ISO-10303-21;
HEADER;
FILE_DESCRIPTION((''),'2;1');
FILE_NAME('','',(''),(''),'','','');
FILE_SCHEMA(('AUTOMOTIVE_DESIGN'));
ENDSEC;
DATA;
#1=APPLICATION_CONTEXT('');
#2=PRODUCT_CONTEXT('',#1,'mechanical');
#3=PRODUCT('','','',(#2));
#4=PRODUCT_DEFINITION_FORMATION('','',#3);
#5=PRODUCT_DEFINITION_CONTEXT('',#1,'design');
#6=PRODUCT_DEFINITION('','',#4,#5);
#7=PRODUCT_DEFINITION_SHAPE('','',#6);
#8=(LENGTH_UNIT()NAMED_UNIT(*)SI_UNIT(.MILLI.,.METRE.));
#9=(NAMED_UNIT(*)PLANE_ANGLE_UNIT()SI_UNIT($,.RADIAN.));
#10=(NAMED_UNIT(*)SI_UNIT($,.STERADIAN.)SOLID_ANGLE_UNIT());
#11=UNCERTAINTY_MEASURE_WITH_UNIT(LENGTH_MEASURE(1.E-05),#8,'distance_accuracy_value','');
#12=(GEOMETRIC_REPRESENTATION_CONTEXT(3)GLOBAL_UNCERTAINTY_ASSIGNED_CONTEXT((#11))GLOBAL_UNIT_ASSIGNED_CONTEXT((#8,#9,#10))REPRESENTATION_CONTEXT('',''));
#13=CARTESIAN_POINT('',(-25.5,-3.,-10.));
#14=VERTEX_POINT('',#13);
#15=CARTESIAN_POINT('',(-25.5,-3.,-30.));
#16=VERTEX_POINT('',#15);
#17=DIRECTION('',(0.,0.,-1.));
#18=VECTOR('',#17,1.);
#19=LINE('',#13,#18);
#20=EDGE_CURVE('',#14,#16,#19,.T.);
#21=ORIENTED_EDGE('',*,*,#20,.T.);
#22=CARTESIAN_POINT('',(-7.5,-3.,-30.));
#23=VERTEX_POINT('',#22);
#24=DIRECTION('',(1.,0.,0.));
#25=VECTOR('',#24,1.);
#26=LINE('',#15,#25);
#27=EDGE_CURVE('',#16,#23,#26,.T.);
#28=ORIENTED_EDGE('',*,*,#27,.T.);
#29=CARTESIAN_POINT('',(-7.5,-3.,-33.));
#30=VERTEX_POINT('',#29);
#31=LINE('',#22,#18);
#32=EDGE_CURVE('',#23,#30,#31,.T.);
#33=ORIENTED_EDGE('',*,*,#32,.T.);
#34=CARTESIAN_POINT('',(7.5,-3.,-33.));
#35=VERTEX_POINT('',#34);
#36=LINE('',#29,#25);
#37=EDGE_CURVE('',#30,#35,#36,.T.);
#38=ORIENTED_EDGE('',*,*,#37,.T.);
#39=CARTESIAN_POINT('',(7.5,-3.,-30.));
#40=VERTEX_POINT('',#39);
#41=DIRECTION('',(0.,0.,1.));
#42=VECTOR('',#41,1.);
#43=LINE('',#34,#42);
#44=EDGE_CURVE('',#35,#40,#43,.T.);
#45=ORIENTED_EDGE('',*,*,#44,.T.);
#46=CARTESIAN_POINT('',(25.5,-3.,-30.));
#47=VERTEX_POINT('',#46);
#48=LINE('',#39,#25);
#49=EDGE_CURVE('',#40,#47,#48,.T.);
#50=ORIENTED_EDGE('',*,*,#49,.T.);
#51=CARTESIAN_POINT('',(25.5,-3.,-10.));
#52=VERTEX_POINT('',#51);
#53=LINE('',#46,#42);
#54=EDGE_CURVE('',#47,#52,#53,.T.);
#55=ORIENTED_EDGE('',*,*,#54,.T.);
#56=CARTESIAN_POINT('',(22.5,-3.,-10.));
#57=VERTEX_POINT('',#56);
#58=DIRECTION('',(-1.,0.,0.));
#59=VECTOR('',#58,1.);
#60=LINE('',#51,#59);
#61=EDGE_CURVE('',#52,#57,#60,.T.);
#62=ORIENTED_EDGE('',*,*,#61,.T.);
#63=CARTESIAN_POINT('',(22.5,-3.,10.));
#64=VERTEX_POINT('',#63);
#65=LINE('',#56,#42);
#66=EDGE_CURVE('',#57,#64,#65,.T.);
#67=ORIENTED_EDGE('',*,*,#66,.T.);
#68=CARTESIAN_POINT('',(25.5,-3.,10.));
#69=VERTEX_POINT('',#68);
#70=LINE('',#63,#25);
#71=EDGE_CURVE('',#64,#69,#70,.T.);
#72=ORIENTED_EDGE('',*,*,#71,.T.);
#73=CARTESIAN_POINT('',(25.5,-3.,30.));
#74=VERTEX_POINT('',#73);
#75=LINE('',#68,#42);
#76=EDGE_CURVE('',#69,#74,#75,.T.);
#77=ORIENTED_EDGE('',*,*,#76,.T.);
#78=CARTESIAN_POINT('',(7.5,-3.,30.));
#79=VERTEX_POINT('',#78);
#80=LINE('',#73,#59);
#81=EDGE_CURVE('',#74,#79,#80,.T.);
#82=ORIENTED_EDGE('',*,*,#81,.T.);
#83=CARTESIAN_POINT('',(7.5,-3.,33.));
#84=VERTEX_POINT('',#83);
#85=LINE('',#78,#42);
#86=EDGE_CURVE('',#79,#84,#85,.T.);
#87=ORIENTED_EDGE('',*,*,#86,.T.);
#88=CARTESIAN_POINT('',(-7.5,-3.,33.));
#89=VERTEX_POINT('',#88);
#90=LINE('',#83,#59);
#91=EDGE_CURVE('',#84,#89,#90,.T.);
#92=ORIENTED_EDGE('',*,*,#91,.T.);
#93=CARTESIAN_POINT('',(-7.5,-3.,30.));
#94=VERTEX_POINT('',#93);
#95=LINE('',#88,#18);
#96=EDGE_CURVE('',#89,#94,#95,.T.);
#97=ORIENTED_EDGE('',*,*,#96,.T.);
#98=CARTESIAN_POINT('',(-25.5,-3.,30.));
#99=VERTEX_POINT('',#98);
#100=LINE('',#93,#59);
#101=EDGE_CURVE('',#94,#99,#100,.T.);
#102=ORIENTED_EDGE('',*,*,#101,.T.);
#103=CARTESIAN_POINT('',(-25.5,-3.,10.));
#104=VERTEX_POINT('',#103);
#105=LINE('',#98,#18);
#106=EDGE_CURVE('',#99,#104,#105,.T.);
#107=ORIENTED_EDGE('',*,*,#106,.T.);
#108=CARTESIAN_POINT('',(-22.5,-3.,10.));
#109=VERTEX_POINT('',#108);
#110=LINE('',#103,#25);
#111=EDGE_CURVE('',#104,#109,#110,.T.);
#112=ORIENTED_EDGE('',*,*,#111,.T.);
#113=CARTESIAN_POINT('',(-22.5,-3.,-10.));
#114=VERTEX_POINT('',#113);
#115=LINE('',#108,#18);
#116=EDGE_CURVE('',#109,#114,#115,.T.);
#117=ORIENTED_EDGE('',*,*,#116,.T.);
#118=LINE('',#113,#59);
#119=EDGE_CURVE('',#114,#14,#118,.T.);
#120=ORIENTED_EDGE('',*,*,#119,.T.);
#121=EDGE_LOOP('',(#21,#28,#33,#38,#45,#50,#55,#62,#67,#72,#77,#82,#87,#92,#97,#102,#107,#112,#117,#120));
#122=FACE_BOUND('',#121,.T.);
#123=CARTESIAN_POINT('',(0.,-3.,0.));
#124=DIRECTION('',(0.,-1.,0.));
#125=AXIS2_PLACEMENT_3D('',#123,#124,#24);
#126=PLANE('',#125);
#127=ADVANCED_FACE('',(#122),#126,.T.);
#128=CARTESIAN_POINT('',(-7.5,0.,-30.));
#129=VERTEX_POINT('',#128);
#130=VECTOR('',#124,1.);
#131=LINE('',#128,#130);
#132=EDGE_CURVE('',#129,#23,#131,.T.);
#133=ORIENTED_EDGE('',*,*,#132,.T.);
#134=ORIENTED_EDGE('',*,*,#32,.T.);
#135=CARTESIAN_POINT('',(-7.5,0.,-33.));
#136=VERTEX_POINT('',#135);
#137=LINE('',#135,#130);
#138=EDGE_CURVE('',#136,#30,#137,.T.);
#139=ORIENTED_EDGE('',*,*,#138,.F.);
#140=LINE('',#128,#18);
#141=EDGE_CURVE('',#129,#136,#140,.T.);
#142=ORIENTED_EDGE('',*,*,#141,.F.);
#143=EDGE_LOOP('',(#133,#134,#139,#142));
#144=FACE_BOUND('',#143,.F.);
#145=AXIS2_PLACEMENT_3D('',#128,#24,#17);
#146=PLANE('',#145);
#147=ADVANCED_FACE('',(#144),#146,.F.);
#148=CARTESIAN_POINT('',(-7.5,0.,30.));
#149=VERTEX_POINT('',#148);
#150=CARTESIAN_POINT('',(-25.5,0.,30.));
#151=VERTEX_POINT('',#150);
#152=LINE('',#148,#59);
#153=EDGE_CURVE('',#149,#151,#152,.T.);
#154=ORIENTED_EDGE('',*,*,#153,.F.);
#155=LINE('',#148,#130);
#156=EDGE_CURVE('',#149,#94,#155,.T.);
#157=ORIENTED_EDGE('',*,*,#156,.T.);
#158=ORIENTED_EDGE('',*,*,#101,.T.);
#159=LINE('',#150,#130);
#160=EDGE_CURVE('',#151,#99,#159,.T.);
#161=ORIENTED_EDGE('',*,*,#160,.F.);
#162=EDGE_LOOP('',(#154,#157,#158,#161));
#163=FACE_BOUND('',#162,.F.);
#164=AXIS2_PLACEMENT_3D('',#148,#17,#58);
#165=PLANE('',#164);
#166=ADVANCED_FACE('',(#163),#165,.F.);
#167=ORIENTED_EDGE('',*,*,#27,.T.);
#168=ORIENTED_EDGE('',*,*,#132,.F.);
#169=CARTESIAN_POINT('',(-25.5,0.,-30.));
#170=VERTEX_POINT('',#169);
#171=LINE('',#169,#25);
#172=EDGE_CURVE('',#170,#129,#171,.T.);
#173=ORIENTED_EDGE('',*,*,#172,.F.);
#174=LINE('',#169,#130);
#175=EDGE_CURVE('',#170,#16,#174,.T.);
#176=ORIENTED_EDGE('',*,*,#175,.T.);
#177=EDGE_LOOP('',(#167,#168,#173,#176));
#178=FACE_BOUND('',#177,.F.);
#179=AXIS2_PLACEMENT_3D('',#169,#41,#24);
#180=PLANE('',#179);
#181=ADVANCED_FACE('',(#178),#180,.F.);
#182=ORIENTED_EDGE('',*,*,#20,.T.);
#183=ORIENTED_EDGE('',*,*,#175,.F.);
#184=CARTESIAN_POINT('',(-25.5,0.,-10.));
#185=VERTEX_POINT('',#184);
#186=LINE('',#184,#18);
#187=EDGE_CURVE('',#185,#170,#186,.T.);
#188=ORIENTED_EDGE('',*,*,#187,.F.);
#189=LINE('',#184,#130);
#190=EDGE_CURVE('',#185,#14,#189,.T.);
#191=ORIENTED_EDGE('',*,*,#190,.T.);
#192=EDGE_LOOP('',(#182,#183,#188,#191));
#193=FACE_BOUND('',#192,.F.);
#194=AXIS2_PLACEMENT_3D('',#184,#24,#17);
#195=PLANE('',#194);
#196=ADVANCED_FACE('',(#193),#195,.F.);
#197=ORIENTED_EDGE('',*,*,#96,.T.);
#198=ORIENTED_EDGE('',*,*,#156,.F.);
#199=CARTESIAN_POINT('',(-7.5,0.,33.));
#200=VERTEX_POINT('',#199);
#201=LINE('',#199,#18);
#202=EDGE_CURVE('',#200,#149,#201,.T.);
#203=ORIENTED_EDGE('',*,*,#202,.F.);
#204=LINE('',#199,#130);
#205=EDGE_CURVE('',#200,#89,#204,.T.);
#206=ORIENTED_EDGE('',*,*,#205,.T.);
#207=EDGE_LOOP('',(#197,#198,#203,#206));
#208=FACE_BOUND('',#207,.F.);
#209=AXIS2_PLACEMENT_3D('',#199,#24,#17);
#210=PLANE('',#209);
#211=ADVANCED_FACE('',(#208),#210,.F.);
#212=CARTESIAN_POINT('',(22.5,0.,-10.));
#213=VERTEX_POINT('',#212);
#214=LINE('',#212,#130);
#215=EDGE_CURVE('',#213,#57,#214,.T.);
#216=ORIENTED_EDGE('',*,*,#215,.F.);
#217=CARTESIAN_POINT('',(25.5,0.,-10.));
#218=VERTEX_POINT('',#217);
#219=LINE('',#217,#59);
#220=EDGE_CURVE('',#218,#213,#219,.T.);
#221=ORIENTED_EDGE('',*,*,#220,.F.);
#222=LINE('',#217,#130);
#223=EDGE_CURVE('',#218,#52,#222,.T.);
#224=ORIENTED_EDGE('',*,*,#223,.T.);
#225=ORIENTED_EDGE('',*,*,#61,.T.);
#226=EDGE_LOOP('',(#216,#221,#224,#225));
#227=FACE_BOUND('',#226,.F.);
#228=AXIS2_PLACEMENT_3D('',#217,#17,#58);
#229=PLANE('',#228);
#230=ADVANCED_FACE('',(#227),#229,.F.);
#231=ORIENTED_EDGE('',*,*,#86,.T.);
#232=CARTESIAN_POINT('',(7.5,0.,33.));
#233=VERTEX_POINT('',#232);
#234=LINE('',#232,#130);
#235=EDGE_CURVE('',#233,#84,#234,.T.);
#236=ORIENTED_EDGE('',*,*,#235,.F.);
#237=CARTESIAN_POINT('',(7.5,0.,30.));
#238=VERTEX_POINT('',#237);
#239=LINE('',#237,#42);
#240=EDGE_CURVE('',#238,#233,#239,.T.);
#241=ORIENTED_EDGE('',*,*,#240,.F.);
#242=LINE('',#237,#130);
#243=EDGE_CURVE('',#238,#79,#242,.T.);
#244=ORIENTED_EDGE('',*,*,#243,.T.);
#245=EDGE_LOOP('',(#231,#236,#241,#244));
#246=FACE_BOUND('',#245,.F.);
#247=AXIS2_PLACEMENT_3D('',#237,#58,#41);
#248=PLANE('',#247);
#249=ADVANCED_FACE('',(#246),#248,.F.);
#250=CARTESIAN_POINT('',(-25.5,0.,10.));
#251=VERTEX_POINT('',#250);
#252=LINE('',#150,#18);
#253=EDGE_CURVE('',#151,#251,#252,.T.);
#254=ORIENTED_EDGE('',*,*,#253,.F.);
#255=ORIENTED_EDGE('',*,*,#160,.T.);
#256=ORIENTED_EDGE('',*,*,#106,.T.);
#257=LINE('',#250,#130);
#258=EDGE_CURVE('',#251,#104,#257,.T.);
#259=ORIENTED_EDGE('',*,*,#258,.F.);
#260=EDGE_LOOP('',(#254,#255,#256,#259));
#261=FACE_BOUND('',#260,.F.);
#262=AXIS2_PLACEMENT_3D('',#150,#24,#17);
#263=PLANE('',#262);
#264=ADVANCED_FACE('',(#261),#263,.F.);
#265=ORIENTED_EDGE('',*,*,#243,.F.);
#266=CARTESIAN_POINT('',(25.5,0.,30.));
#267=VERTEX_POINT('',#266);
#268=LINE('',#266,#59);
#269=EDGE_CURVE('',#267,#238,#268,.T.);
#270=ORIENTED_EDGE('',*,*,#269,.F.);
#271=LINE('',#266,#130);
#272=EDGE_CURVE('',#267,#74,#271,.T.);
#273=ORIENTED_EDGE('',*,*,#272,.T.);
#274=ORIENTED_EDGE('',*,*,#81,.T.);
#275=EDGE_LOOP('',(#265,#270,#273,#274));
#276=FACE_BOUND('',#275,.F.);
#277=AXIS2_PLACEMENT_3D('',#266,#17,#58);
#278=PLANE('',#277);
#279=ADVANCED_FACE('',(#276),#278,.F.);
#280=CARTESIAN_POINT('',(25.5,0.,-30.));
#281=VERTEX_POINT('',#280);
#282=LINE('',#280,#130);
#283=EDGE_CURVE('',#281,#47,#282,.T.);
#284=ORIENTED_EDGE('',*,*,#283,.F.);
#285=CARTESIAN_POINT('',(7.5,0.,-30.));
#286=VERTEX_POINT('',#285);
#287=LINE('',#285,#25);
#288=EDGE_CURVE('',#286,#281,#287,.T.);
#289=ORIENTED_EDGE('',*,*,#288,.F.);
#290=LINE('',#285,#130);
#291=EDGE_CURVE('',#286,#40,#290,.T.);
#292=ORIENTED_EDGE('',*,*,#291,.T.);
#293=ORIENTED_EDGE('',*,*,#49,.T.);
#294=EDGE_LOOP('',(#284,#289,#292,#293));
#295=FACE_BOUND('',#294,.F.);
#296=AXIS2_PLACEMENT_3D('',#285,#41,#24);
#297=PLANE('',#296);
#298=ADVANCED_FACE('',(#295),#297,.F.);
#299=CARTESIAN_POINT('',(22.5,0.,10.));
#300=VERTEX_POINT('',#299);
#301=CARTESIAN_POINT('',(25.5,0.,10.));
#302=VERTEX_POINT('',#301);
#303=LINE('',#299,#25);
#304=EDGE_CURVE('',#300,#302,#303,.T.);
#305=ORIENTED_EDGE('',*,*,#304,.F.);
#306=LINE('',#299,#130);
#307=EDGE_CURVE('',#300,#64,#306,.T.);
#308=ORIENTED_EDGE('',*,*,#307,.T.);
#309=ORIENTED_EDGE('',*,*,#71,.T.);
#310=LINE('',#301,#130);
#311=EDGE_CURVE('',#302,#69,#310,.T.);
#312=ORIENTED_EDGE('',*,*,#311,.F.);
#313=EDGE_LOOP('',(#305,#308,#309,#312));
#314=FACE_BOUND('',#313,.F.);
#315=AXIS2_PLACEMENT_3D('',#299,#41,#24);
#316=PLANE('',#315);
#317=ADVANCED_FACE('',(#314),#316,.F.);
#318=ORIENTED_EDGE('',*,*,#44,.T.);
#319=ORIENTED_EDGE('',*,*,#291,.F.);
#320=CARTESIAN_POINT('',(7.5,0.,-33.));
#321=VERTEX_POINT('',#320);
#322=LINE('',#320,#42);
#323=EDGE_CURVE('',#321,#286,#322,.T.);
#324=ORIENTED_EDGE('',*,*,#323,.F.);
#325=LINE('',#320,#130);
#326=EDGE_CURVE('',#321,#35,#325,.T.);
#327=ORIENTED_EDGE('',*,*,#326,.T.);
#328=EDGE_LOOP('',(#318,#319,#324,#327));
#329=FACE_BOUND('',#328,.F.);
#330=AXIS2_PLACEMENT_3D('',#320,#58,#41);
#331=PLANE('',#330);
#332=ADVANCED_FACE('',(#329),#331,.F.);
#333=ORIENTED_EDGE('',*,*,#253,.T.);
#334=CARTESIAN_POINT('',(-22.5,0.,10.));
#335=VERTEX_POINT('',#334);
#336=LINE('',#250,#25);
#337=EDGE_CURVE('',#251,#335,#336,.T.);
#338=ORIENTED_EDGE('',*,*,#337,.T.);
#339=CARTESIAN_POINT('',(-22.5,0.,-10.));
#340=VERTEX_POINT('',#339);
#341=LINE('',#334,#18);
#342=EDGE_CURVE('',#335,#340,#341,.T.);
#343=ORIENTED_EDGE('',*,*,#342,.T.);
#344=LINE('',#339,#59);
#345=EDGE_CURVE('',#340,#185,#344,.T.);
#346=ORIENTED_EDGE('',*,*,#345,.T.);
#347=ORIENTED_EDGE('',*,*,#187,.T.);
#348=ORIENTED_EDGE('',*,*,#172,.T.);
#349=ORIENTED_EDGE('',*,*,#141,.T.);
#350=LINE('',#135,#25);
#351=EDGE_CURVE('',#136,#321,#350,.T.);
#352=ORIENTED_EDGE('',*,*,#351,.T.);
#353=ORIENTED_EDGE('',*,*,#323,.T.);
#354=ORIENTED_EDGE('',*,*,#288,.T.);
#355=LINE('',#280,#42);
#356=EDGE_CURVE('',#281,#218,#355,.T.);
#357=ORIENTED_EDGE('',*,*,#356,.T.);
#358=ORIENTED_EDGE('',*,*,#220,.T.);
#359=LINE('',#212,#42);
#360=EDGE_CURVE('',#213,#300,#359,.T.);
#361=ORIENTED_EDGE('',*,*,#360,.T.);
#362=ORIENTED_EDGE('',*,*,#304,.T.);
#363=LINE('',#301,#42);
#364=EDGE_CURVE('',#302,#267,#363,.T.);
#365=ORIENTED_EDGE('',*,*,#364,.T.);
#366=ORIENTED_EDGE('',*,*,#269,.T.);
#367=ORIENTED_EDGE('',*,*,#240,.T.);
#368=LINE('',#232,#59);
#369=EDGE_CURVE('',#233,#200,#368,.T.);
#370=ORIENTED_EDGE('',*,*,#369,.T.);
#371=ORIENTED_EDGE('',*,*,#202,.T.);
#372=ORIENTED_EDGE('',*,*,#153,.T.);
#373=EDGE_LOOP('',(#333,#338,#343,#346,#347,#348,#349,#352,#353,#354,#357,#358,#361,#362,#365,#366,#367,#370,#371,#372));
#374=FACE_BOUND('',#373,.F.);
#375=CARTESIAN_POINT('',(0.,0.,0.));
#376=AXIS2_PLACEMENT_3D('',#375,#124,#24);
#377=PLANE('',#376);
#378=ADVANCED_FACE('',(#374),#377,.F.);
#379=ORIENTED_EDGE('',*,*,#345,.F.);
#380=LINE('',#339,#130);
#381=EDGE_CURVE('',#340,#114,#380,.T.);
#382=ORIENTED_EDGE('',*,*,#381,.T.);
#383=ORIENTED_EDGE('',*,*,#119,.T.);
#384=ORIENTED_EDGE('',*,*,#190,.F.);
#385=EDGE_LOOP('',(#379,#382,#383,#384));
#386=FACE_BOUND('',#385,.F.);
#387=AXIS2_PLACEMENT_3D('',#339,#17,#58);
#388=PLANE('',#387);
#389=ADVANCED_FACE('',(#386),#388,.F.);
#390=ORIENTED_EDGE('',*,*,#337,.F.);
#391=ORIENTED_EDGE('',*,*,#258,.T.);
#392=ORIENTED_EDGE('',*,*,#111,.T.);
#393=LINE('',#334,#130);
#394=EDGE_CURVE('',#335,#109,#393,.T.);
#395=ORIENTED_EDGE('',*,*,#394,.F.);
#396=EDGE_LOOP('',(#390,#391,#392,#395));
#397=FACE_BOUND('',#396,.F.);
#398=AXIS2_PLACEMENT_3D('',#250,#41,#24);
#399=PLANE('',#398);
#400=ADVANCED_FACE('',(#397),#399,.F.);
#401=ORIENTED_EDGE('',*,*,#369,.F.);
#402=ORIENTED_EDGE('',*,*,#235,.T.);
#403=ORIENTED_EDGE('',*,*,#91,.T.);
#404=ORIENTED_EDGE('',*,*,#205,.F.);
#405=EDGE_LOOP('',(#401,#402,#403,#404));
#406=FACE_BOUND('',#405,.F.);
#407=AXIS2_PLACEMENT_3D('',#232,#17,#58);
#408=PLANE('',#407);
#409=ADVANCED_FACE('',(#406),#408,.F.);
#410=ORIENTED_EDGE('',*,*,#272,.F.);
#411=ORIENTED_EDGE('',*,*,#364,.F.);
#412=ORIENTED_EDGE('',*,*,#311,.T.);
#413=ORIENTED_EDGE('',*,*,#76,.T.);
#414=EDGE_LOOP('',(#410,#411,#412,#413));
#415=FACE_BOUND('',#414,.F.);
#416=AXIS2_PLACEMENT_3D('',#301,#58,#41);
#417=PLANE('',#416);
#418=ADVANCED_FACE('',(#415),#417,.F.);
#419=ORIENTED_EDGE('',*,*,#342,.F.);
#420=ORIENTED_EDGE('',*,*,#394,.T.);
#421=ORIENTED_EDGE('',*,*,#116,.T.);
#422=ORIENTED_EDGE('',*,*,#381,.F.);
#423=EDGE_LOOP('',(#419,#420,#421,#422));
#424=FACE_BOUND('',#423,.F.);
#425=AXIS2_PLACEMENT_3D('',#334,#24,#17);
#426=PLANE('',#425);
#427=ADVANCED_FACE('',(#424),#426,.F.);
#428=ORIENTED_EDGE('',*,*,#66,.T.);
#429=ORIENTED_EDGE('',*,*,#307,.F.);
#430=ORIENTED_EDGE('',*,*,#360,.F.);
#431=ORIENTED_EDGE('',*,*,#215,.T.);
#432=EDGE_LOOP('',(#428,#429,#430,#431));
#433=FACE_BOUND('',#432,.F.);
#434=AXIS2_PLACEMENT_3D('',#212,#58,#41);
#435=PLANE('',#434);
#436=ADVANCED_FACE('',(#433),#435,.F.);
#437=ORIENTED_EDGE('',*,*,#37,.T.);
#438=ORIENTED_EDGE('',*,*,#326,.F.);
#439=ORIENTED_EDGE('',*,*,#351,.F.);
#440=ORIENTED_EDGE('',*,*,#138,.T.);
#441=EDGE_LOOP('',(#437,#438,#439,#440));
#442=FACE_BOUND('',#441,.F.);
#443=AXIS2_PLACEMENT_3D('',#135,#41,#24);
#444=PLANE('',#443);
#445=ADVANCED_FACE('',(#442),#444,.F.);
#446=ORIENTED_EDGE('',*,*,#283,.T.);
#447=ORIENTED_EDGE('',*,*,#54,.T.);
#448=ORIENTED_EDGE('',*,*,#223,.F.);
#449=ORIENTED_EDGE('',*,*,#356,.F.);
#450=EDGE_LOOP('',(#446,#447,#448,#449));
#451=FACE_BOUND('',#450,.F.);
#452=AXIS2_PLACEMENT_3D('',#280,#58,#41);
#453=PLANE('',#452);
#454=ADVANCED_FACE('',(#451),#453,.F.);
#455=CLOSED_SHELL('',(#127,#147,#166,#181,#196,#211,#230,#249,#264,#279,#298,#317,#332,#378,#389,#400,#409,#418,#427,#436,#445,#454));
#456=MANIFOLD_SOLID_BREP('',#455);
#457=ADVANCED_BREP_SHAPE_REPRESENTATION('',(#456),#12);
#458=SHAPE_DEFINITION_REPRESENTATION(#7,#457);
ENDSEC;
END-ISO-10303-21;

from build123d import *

# Parameters (mm, degrees)
F1_DEPTH = 3


with BuildPart() as f1:
    # F0 (on Front) → F1 (new body)
    with BuildSketch(Plane.XZ):
        Polygon((7.5, 33), (0, 33), (-7.5, 33), (-7.5, 30), (-25.5, 30), (-25.5, 10), (-22.5, 10), (-22.5, 0), (-22.5, -10), (-25.5, -10), (-25.5, -30), (-7.5, -30), (-7.5, -33), (0, -33), (7.5, -33), (7.5, -30), (25.5, -30), (25.5, -10), (22.5, -10), (22.5, 0), (22.5, 10), (25.5, 10), (25.5, 30), (7.5, 30), align=None)
    extrude(amount=F1_DEPTH)


solid = f1.part
